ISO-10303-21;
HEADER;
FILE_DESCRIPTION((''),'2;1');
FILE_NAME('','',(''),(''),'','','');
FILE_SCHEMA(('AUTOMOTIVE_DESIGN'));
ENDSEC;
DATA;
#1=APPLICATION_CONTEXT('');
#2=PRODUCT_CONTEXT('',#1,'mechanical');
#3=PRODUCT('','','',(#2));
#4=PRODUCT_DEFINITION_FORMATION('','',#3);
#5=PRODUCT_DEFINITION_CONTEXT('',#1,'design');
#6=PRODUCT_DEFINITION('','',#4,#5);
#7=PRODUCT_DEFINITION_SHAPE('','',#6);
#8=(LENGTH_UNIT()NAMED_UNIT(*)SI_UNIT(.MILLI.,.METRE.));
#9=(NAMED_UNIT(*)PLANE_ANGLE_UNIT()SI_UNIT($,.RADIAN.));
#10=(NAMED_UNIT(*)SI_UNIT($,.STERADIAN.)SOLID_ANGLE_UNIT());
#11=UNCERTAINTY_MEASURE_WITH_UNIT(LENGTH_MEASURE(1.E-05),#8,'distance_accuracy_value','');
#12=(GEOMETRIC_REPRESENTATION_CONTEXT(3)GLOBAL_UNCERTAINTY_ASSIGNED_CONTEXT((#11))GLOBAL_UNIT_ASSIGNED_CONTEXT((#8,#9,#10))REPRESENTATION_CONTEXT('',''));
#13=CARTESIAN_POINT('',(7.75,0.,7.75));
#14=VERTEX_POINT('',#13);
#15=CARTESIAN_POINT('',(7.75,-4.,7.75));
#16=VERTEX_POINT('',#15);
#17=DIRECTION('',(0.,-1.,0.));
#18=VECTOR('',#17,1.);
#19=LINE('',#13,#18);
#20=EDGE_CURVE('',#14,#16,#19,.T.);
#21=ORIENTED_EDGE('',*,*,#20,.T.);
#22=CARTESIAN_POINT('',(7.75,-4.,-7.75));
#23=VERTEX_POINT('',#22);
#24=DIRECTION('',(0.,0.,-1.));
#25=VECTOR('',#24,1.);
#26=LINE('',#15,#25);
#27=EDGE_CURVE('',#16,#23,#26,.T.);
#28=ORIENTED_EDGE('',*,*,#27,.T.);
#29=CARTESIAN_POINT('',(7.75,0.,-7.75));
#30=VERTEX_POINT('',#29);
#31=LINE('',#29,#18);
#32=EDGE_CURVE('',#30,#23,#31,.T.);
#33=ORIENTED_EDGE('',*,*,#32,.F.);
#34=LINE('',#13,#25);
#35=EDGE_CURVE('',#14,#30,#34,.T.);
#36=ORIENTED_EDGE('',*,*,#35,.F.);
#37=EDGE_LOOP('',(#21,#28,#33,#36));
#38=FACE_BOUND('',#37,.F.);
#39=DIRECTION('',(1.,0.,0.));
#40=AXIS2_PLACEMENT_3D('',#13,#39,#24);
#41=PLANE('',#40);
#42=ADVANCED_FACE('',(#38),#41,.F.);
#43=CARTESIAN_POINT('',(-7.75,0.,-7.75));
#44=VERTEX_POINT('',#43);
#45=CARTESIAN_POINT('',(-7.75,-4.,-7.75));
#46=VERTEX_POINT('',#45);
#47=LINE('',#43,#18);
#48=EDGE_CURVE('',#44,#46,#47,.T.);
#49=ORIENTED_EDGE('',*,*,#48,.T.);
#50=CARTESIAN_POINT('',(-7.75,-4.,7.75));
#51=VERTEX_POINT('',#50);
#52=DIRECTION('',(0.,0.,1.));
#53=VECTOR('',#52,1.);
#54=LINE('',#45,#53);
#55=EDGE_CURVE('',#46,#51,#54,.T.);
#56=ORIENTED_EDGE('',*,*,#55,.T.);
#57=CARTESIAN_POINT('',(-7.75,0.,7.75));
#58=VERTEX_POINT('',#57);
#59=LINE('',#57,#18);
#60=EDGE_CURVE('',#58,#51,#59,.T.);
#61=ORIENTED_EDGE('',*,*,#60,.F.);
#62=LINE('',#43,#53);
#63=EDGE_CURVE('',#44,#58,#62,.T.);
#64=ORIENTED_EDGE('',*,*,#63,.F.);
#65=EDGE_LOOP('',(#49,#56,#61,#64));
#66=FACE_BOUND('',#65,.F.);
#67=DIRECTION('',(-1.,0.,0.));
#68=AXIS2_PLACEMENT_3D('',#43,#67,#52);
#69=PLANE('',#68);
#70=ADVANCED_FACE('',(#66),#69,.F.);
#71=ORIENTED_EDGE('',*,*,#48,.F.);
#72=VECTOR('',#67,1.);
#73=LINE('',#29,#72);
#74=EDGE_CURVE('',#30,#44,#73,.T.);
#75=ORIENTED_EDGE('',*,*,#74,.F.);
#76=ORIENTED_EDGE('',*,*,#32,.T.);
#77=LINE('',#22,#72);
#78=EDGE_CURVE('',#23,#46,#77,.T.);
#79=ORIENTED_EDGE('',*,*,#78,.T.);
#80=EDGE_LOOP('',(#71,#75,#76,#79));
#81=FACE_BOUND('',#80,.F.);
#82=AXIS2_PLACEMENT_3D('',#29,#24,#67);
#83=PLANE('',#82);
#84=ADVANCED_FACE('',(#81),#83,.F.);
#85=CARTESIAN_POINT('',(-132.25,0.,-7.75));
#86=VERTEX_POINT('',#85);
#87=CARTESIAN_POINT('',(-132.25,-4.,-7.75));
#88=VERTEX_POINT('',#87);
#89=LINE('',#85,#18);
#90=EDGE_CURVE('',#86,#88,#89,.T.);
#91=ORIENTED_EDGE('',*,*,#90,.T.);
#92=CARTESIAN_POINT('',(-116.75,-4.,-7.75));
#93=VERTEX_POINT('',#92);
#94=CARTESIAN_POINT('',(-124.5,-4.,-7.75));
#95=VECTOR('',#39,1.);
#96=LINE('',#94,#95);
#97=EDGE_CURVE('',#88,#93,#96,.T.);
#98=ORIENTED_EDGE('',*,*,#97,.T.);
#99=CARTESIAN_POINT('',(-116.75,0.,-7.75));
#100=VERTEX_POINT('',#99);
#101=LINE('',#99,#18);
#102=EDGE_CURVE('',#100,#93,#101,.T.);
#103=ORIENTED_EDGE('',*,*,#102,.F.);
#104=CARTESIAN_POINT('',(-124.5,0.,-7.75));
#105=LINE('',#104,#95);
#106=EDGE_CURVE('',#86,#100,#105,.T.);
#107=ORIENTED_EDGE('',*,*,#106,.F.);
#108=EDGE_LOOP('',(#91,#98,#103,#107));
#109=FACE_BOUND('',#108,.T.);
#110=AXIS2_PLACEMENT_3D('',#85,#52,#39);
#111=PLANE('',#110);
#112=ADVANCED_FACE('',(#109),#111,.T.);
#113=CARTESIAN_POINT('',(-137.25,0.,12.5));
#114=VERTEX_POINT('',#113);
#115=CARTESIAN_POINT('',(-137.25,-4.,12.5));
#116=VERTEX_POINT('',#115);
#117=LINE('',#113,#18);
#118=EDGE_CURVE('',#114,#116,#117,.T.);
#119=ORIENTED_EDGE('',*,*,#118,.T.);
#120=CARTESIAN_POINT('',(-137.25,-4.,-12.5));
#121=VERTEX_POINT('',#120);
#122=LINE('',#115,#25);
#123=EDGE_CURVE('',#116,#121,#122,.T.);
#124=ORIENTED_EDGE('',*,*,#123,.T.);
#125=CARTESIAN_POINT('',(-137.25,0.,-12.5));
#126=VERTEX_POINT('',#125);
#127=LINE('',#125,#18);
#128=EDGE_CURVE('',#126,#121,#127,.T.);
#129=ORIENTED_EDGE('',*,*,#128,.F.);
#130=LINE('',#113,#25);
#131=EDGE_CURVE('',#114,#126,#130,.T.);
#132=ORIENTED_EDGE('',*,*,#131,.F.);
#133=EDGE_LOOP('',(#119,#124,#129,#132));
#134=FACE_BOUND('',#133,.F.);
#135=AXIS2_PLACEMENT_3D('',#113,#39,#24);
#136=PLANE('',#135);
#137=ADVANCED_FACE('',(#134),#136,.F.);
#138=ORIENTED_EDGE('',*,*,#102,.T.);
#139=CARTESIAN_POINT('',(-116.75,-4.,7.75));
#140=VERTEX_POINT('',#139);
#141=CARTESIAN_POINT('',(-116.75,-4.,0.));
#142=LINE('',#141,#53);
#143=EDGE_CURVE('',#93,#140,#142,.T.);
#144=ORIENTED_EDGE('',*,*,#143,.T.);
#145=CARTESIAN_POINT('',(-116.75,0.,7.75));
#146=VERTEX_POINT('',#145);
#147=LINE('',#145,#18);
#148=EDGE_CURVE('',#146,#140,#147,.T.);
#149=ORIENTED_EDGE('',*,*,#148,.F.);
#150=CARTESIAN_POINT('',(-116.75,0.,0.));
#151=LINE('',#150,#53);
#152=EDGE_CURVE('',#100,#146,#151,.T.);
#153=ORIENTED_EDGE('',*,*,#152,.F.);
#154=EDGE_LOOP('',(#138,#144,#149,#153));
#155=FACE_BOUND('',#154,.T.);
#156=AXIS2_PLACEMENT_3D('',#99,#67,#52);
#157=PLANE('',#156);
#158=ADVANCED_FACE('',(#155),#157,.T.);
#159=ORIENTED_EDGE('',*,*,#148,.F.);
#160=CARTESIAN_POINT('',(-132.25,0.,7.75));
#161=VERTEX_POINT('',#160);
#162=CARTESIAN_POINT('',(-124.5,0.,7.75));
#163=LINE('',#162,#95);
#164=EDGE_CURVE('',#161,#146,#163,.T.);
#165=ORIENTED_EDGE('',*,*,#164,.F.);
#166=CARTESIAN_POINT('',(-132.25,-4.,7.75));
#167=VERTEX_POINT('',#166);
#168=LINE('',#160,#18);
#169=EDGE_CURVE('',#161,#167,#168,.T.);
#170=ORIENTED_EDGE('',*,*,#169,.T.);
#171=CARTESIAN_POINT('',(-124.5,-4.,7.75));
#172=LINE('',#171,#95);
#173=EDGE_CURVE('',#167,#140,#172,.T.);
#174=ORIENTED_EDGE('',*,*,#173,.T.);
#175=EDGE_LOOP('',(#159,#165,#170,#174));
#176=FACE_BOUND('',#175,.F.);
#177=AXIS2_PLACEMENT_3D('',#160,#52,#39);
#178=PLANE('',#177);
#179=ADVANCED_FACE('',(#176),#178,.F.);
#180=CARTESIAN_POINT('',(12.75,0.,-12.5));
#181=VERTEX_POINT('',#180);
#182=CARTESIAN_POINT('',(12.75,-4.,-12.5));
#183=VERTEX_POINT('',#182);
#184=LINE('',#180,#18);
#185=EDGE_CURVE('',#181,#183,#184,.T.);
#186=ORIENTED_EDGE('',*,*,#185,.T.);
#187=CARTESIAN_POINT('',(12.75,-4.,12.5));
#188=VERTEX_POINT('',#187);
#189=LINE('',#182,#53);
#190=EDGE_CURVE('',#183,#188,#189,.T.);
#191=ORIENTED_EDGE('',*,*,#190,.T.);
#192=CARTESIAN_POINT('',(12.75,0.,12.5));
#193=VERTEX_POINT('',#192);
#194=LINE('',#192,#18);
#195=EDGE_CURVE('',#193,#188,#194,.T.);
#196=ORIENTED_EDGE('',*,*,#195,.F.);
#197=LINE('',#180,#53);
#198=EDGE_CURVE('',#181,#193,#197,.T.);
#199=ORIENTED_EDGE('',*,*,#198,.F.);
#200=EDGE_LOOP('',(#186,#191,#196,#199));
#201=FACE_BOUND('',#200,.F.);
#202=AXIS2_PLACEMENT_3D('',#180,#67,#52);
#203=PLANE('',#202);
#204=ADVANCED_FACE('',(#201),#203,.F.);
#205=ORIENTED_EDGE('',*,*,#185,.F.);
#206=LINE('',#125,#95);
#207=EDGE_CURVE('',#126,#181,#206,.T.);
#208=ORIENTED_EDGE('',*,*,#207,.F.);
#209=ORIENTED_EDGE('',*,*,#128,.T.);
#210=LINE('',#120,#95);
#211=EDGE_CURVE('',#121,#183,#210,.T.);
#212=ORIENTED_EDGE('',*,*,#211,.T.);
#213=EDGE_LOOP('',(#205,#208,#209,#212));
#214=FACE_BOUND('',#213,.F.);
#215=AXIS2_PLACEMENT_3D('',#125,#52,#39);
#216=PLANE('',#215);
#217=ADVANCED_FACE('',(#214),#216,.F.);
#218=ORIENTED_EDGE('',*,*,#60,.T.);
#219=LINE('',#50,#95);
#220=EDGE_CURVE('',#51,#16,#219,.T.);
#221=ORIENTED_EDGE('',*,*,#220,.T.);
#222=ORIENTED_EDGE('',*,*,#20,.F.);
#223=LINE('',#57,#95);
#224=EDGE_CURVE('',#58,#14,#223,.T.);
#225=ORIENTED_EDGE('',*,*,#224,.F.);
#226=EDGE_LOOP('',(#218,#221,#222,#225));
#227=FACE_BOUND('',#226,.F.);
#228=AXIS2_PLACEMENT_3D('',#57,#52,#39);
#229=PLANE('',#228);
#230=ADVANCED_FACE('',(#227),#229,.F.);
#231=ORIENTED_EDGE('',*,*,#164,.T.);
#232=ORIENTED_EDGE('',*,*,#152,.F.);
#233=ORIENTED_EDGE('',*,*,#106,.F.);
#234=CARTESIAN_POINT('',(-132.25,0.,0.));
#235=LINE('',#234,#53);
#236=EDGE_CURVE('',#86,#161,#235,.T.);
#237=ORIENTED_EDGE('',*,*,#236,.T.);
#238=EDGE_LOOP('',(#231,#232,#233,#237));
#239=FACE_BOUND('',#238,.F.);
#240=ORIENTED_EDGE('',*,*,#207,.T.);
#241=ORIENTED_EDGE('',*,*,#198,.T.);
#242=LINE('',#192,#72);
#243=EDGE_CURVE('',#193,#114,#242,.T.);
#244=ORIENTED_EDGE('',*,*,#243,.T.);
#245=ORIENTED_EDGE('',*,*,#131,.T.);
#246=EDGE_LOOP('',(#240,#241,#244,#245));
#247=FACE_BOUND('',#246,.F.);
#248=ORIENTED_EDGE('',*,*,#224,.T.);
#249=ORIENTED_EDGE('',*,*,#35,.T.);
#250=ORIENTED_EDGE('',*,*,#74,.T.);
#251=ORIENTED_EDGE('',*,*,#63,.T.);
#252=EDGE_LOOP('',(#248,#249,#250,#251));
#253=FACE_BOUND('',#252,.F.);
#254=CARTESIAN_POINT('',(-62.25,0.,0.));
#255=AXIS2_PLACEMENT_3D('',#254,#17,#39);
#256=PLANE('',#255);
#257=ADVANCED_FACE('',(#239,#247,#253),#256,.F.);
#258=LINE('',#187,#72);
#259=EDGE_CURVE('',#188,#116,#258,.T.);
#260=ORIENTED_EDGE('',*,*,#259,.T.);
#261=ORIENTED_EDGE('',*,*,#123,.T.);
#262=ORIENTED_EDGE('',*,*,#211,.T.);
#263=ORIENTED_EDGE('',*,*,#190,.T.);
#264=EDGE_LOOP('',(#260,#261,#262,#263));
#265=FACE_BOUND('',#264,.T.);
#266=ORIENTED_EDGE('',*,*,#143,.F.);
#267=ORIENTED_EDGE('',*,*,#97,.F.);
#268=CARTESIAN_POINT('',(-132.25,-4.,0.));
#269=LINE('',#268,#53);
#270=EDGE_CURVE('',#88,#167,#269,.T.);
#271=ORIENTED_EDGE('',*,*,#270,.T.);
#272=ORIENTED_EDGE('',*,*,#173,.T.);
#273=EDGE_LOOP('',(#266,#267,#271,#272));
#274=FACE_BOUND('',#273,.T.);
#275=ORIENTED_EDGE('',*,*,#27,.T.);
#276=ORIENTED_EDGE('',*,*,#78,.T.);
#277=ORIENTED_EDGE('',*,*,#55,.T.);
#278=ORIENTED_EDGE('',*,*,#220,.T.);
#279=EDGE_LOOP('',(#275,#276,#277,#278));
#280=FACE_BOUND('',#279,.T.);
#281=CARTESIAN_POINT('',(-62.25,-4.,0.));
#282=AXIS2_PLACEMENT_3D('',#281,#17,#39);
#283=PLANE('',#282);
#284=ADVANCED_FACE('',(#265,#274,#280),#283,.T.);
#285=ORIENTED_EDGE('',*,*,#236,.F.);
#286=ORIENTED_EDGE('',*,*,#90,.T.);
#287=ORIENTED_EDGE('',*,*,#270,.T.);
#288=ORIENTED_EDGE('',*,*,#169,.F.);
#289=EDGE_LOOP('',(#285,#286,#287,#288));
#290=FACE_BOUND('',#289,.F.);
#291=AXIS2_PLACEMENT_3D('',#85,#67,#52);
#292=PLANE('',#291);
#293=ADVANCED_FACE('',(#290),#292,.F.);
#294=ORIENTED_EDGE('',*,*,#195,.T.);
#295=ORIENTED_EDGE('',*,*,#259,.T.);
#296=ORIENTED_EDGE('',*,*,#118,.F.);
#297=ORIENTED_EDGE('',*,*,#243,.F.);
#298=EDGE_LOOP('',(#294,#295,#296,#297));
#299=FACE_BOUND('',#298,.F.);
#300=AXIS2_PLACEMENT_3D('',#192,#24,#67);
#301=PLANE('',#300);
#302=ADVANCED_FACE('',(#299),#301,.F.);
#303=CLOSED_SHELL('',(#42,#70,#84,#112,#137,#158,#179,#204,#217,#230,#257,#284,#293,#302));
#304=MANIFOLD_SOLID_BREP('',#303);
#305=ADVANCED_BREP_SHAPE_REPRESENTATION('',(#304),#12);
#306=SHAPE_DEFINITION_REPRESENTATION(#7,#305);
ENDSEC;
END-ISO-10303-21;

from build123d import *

# Parameters (mm, degrees)
F0_W     = 15.5
F0_H     = 15.5
F1_DEPTH = 4


with BuildPart() as f1:
    # F0 (on Front) → F1 (new body)
    with BuildSketch(Plane.XZ):
        Polygon((12.75, -12.5), (12.75, 0), (12.75, 12.5), (-137.25, 12.5), (-137.25, -12.5), align=None)
        with Locations((-124.5, 0)):
            Rectangle(F0_W, F0_H, mode=Mode.SUBTRACT)
        Polygon((-7.75, 7.75), (7.75, 7.75), (7.75, 0), (7.75, -7.75), (-7.75, -7.75), align=None, mode=Mode.SUBTRACT)
    extrude(amount=F1_DEPTH)


solid = f1.part
